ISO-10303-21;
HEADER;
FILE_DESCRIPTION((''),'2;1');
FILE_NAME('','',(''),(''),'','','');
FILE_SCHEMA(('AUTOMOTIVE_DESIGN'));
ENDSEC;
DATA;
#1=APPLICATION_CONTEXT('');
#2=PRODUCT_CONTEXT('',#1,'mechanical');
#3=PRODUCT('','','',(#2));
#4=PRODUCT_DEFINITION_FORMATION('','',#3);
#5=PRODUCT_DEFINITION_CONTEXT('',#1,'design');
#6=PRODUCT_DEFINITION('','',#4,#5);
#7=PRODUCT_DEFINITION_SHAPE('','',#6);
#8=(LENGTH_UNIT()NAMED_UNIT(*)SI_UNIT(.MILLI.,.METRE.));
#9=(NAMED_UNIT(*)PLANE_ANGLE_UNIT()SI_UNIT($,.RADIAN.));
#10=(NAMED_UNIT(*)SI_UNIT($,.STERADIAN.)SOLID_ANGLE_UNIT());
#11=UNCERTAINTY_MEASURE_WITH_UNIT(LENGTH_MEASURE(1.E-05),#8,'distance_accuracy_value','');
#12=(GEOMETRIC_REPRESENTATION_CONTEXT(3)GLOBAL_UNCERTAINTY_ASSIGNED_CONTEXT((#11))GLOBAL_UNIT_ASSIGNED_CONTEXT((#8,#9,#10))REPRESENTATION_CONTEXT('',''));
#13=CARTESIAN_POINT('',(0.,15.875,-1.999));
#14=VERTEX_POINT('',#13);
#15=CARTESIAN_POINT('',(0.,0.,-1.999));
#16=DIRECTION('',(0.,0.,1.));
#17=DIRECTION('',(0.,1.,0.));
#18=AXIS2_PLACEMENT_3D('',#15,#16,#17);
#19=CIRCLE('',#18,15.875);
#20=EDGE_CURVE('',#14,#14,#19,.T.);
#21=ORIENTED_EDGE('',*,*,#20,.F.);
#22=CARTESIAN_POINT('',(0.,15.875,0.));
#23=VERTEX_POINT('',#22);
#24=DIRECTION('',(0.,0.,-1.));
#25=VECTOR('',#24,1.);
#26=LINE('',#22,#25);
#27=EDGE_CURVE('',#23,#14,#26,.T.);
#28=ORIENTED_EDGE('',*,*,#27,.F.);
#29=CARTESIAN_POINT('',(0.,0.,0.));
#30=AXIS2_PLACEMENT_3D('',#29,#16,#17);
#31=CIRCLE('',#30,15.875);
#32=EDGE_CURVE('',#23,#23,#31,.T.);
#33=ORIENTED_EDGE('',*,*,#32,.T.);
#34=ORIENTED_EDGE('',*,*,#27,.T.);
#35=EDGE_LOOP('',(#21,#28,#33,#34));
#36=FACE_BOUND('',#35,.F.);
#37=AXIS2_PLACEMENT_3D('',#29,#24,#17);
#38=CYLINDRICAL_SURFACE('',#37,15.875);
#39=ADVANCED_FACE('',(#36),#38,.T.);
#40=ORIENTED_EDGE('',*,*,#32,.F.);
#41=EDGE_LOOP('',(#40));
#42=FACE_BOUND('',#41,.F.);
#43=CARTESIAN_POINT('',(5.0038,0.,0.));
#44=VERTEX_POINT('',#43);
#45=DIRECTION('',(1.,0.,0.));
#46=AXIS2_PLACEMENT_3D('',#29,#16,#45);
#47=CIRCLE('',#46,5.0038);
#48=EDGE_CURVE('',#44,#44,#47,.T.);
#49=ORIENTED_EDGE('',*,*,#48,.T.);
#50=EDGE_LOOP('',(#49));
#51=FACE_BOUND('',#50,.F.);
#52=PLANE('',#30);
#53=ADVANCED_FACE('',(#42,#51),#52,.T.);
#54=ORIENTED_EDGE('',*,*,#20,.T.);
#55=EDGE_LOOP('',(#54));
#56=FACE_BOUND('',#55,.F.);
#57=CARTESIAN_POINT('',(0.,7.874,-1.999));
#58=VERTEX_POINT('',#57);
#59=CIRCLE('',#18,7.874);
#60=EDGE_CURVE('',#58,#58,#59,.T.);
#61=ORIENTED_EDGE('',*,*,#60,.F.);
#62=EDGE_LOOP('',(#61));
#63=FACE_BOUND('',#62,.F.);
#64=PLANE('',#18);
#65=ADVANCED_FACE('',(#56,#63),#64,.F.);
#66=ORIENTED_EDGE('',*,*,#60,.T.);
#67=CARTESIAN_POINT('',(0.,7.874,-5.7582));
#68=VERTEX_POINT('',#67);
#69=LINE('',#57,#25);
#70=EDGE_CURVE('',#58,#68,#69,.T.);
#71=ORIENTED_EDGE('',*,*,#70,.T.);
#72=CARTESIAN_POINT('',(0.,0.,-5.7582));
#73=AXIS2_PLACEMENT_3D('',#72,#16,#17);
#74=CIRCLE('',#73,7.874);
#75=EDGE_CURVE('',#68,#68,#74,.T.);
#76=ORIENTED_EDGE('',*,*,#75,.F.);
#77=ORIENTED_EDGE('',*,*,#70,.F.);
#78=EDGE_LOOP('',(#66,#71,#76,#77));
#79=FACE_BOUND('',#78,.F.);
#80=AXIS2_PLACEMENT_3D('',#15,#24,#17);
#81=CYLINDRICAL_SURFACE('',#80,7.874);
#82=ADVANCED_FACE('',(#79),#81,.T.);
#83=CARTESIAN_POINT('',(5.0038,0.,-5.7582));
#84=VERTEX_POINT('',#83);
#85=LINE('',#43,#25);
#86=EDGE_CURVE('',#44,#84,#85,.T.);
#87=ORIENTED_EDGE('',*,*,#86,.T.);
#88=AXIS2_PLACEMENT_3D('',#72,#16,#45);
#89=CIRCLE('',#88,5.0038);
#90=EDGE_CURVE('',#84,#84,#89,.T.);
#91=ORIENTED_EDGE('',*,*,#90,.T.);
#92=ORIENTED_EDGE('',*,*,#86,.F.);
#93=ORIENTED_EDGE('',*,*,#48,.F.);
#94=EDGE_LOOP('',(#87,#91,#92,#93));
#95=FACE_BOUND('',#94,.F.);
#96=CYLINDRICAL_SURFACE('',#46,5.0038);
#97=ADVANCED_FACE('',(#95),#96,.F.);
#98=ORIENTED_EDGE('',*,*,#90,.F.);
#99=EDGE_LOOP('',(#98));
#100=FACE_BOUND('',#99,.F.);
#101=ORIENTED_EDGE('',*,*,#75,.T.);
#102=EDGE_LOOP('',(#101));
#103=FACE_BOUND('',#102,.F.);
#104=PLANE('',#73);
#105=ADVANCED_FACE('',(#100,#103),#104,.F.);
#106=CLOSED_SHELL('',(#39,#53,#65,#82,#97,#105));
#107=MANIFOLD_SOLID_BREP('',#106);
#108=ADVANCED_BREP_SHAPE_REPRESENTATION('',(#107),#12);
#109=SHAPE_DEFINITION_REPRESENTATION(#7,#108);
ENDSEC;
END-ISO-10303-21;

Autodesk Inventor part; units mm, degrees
ref_plane "YZ Plane" through (0, 0, 0) normal (1, 0, 0) x (0, 1, 0)
ref_plane "XZ Plane" through (0, 0, 0) normal (0, 1, 0) x (-1, 0, 0)
ref_plane "XY Plane" through (0, 0, 0) normal (0, 0, 1) x (1, 0, 0)
sketch "Sketch1" plane through (0, 0, 0) normal (1, 0, 0) x (0, 1, 0)
  line L0 (0, 0) -> (15.875, 0)
  line L1 (15.875, 0) -> (15.875, -1.999)
  line L2 (15.875, -1.999) -> (7.874, -1.999)
  line L3 (7.874, -1.999) -> (7.874, -5.7582)
  line L4 (7.874, -5.7582) -> (0, -5.7582)
  line L5 (0, -5.7582) -> (0, 0)
  dimension "d0" = 15.875
  dimension "d1" = 1.999
  dimension "d2" = 8.001
  dimension "d3" = 3.7592
revolve "Revolution1" add sketch "Sketch1" angle 360 about axis through (0, 0, -5.7582) along (0, 0, 1)
sketch "Sketch2" plane through (0, 0, 0) normal (0, 0, 1) x (1, 0, 0)
  circle A0 centre (0, 0) radius 5.0038
  point P0 (0, 0)
  dimension "d5" = 10.0076
extrude "Extrusion1" cut sketch "Sketch2" against normal blind 25.4
properties part number "Poly_Bushing"
